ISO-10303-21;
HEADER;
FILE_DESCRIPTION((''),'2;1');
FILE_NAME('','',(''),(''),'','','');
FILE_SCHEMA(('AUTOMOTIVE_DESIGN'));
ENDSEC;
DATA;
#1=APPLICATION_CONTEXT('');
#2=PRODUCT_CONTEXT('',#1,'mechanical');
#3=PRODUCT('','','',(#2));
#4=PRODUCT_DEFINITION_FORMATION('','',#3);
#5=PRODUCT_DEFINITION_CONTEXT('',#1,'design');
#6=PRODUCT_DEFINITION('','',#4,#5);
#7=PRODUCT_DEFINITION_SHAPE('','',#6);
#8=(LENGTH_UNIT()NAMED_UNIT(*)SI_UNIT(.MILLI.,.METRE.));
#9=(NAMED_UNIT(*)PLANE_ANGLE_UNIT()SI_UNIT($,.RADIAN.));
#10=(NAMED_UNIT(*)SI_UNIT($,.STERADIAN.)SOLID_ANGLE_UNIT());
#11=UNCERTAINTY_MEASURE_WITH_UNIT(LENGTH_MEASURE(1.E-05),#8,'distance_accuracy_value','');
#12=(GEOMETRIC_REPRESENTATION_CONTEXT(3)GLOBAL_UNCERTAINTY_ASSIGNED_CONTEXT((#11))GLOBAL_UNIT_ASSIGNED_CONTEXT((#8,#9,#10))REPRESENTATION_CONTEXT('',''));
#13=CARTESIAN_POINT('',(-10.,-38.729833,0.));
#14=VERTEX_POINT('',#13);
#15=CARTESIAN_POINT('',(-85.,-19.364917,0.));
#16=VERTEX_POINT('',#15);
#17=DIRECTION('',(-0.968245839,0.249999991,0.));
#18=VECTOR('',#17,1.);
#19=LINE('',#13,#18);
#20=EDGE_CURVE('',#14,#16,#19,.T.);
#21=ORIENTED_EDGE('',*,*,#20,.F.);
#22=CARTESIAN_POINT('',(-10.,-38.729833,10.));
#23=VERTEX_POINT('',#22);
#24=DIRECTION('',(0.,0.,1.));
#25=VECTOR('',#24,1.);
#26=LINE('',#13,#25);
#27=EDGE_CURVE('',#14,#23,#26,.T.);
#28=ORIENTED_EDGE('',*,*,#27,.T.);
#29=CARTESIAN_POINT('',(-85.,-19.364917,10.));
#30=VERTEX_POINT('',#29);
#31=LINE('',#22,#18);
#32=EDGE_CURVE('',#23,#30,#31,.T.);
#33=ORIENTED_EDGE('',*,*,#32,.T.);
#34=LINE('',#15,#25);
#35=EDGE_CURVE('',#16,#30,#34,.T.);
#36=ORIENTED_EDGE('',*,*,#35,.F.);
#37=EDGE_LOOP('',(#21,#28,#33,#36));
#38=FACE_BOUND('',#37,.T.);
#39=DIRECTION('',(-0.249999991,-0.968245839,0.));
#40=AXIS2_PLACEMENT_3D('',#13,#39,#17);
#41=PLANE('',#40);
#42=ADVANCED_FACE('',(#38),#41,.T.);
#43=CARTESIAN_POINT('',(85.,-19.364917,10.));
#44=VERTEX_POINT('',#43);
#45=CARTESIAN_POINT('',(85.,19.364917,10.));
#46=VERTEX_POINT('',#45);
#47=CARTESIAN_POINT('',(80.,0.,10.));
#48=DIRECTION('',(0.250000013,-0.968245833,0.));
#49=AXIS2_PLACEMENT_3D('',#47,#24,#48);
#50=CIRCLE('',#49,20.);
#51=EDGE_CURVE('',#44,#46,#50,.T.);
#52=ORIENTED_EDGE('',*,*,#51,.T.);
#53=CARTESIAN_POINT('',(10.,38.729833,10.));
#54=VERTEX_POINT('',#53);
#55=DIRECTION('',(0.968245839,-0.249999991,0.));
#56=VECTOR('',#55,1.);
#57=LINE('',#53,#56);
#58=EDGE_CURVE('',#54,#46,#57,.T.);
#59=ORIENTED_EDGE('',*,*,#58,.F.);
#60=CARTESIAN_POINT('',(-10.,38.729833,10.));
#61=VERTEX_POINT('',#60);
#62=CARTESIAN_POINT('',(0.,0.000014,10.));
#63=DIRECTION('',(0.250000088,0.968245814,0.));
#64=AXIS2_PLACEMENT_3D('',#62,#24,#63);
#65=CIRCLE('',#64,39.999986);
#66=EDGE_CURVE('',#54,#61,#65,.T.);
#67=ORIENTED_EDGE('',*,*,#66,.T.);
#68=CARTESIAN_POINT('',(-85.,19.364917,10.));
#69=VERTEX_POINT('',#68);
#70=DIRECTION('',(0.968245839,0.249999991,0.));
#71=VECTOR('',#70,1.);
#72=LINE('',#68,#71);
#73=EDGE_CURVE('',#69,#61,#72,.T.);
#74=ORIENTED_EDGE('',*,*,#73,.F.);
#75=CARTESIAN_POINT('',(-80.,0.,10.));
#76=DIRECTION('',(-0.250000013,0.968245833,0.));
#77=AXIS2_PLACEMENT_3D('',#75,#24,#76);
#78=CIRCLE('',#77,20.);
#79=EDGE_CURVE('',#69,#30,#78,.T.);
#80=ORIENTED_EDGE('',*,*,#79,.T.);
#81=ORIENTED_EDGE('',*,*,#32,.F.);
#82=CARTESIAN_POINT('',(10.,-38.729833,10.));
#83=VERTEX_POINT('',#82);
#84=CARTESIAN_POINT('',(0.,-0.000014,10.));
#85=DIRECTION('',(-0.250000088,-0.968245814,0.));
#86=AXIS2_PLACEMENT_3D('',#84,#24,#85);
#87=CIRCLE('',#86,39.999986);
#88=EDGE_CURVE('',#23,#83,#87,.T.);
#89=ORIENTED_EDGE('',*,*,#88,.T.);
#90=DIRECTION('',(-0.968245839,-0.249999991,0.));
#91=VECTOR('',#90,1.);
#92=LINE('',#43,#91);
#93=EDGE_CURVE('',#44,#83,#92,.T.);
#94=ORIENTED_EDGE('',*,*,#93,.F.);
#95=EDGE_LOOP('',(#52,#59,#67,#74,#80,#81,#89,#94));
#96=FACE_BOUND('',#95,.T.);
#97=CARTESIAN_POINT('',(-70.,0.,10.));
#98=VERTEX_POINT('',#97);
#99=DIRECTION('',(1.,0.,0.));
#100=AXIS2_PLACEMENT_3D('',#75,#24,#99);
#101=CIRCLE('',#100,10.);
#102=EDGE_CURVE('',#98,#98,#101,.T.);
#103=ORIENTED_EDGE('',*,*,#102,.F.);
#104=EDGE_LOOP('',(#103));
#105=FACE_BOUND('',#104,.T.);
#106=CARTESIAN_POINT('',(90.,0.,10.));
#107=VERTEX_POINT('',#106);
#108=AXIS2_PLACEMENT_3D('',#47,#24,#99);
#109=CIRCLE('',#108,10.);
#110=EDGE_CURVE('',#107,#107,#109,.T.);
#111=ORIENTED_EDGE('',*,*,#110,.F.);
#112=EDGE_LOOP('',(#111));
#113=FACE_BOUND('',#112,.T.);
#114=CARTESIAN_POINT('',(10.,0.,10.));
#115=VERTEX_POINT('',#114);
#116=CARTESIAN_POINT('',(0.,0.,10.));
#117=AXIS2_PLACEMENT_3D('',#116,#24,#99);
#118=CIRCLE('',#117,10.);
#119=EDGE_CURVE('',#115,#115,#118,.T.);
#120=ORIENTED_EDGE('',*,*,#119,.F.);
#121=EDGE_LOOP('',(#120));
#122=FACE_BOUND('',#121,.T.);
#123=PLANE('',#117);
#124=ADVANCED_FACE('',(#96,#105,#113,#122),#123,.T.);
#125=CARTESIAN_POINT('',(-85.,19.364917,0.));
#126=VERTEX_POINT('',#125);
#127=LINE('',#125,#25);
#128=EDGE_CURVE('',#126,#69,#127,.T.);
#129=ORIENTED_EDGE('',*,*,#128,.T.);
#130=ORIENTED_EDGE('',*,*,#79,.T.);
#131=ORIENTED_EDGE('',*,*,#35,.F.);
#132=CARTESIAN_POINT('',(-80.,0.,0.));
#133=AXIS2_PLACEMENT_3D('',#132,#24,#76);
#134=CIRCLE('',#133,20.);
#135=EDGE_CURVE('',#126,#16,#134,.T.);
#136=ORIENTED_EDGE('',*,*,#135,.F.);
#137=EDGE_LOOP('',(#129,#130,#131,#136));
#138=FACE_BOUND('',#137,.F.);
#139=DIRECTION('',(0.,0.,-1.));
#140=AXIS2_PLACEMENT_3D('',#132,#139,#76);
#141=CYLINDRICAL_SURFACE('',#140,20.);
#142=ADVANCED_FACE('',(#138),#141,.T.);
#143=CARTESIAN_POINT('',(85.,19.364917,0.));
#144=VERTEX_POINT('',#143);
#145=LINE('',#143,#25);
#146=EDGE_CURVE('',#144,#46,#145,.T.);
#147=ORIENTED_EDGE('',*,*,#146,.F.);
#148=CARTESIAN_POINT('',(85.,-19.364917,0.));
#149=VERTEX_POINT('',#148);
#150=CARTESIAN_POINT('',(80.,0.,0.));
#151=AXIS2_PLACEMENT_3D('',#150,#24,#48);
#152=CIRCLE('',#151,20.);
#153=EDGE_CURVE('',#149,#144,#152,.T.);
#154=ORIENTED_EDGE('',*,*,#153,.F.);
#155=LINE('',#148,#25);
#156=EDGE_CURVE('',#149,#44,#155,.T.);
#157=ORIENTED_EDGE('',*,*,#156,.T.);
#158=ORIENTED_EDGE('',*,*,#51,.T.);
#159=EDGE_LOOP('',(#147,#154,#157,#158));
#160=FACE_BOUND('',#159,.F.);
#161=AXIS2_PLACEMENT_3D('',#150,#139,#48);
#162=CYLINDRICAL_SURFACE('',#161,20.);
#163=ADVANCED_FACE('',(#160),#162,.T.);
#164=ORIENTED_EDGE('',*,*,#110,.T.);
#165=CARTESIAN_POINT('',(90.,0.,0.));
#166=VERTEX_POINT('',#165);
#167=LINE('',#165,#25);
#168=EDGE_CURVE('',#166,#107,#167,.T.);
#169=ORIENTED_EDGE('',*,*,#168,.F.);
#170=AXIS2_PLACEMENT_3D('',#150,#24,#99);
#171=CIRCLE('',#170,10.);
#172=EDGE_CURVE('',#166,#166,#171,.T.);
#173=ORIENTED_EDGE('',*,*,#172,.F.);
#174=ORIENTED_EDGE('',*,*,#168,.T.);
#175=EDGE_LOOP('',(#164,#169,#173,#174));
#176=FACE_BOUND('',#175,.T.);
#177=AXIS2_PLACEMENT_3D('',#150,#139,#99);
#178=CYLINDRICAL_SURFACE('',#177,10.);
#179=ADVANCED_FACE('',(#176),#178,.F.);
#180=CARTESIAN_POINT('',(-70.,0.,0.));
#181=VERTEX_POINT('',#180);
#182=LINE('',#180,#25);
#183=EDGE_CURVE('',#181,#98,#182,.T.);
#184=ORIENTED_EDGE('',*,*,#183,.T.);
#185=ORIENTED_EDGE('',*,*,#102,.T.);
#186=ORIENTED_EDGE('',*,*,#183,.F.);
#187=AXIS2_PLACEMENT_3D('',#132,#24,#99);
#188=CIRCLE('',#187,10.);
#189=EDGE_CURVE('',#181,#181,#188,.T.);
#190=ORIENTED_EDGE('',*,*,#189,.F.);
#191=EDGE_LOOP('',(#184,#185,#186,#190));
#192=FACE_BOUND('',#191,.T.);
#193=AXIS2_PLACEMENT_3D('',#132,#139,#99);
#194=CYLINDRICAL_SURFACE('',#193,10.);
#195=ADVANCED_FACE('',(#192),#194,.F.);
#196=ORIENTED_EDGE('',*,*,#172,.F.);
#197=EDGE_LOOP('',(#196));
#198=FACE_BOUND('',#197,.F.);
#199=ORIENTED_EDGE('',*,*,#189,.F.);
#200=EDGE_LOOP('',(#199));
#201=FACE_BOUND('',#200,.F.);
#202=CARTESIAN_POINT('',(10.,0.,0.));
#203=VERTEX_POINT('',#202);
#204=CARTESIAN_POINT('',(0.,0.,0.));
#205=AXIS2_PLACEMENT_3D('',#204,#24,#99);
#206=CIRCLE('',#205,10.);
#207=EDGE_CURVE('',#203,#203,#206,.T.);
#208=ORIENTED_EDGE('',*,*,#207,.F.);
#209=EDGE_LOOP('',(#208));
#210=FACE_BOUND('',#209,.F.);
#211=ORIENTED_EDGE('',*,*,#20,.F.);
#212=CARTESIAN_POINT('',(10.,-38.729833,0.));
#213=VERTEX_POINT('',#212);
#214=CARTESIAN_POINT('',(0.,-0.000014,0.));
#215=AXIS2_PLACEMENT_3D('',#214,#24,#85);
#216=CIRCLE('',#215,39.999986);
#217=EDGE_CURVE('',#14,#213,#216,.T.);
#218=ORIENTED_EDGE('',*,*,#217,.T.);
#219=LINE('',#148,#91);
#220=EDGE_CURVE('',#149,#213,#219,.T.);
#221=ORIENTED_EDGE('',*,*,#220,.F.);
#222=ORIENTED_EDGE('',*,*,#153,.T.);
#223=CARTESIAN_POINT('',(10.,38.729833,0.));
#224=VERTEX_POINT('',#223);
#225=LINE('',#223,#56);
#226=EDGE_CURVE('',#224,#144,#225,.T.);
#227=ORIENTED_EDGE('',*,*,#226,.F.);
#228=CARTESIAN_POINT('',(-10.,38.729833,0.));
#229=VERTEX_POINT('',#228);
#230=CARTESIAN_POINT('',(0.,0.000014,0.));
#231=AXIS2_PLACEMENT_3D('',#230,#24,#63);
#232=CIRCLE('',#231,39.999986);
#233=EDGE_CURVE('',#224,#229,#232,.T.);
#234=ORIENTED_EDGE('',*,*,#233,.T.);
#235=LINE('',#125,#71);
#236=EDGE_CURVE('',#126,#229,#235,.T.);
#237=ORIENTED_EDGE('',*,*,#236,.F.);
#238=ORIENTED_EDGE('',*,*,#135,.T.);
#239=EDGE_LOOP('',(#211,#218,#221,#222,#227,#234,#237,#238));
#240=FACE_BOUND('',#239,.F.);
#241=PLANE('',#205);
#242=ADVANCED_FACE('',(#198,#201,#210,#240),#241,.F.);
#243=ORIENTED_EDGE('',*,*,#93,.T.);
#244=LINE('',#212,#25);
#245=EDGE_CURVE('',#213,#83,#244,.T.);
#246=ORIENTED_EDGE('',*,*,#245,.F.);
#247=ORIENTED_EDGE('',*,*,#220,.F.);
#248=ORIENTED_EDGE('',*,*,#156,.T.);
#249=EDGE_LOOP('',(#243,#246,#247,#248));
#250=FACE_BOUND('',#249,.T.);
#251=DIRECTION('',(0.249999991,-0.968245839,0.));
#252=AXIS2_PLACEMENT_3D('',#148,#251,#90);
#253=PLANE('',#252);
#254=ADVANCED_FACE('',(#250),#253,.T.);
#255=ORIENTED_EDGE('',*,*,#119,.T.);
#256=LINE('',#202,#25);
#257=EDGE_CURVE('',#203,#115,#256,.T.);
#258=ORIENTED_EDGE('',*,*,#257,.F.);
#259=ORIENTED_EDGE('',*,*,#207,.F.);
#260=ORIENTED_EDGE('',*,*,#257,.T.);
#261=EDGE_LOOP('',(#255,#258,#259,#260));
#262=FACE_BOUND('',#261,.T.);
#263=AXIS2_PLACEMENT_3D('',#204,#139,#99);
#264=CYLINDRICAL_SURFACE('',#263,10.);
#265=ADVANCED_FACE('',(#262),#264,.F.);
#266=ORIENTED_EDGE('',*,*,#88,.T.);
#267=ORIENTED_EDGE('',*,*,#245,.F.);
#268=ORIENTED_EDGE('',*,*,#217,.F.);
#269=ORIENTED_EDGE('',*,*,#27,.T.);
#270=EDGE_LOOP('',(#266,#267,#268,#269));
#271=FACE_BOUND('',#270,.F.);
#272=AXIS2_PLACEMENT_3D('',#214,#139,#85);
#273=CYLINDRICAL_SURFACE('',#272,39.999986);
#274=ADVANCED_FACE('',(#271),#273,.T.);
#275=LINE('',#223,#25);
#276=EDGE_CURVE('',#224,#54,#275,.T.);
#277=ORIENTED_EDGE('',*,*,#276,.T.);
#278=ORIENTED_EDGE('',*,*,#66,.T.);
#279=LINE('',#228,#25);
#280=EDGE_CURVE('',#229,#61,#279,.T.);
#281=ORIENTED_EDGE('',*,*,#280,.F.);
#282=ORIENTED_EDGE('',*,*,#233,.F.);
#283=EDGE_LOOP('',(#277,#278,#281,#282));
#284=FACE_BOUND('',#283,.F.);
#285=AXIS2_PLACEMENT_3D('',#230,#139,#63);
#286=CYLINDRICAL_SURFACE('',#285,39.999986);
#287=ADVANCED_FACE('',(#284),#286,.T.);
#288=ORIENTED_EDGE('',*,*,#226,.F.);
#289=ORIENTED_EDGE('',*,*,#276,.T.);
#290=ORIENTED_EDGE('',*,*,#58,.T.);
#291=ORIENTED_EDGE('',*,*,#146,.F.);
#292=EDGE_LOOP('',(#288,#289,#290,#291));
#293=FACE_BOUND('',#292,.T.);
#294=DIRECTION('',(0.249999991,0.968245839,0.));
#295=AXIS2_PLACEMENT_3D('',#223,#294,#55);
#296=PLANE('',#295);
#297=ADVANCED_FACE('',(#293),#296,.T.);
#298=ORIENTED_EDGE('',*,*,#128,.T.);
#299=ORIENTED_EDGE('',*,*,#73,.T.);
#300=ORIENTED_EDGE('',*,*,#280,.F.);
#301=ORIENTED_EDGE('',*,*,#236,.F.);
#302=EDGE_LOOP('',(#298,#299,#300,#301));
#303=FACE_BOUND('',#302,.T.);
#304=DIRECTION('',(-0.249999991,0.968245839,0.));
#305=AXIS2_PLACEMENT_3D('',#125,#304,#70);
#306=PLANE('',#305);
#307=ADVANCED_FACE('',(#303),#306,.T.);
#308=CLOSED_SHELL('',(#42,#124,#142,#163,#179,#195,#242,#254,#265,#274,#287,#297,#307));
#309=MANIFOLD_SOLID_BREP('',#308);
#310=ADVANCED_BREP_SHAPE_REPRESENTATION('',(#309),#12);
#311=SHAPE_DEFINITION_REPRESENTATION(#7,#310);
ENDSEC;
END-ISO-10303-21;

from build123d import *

# Parameters (mm, degrees)
SKETCH_R      = 10
EXTRUDE_DEPTH = 10


with BuildPart() as part:
    # Sketch → Extrude (new body)
    with BuildSketch(Plane.XY):
        with BuildLine():
            ThreePointArc((-10, -38.729833), (0, -40), (10, -38.729833))
            Line((85, -19.364917), (10, -38.729833))
            ThreePointArc((85, -19.364917), (100, 0), (85, 19.364917))
            Line((10, 38.729833), (85, 19.364917))
            ThreePointArc((10, 38.729833), (0, 40), (-10, 38.729833))
            Line((-85, 19.364917), (-10, 38.729833))
            ThreePointArc((-85, 19.364917), (-100, 0), (-85, -19.364917))
            Line((-10, -38.729833), (-85, -19.364917))
        make_face()
        Circle(SKETCH_R, mode=Mode.SUBTRACT)
        with Locations((-80, 0)):
            Circle(SKETCH_R, mode=Mode.SUBTRACT)
        with Locations((80, 0)):
            Circle(SKETCH_R, mode=Mode.SUBTRACT)
    extrude(amount=EXTRUDE_DEPTH)


solid = part.part
